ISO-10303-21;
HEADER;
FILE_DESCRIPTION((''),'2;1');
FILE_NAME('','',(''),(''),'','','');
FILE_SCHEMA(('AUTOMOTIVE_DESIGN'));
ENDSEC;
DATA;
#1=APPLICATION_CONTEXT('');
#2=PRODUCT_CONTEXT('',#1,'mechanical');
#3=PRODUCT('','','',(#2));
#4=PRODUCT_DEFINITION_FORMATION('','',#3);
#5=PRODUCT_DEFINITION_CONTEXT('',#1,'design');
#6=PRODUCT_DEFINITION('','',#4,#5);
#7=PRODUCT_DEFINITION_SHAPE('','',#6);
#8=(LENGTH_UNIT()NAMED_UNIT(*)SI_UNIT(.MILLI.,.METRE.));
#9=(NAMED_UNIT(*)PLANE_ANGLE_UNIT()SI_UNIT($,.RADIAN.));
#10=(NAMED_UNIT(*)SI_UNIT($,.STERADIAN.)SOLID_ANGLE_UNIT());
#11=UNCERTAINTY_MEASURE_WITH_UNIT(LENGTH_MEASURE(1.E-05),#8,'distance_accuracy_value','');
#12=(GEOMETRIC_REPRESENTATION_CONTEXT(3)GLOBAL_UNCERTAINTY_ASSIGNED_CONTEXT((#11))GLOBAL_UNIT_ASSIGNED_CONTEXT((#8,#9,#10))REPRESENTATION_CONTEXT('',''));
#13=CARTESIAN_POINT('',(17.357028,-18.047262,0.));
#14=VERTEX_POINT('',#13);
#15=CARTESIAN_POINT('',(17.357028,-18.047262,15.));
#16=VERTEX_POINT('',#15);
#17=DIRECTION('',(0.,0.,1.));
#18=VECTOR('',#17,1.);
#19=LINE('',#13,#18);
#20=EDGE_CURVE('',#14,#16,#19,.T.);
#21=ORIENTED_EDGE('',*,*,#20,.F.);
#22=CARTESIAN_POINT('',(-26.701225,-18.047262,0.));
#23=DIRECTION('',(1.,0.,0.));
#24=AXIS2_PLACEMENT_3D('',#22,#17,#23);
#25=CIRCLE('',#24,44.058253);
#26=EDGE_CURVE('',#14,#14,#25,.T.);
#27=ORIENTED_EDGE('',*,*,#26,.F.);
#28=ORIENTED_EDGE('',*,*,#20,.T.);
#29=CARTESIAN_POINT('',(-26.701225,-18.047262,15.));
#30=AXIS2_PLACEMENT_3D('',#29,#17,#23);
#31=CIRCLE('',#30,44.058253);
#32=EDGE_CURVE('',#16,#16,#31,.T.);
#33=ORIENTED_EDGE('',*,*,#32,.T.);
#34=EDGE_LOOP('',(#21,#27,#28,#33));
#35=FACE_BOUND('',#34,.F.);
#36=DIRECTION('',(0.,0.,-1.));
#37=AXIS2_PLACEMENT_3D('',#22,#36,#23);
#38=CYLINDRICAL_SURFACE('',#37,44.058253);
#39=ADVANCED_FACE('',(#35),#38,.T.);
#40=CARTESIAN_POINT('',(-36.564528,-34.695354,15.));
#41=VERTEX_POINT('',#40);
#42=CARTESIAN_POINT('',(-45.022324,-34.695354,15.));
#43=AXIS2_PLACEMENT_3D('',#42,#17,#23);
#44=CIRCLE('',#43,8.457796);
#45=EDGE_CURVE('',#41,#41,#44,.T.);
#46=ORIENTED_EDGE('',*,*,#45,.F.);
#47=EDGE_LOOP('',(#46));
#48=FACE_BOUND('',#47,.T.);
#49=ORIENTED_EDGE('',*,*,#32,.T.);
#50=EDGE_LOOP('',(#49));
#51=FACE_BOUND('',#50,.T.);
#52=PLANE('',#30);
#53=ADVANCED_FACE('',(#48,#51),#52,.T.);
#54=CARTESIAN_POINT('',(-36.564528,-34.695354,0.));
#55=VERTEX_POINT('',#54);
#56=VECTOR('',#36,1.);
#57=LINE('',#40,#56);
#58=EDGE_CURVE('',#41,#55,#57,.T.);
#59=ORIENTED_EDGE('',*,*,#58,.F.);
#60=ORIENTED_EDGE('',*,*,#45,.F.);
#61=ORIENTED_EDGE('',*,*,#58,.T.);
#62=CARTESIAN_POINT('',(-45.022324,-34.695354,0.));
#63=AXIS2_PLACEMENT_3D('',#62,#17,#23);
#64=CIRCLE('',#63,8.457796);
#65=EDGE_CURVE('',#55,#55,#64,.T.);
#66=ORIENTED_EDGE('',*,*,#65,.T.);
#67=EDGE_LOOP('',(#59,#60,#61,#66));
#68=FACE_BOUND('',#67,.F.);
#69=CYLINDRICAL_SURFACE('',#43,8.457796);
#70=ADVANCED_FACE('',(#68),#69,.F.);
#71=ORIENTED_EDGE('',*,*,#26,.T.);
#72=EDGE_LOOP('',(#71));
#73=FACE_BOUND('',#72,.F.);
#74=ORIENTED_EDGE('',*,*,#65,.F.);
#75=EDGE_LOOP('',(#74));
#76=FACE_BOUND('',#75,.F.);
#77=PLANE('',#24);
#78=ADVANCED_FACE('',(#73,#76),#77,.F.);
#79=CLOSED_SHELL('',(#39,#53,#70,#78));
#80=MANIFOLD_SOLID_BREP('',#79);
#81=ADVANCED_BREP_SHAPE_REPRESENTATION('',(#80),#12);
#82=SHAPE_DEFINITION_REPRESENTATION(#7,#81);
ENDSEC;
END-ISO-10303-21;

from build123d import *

# Parameters (mm, degrees)
SKETCH_R     = 44.058253
PAD_DEPTH    = 15
SKETCH001_R  = 8.457796
POCKET_DEPTH = 15


with BuildPart() as part:
    # Sketch → Pad (new body)
    with BuildSketch(Plane.XY):
        with Locations((-26.701225, -18.047262)):
            Circle(SKETCH_R)
    extrude(amount=PAD_DEPTH)

    # Sketch001 (on Face3 of Pad) → Pocket (cut)
    with BuildSketch(Plane.XY.offset(15)):
        with Locations((-45.022324, -34.695354)):
            Circle(SKETCH001_R)
    extrude(amount=-POCKET_DEPTH, mode=Mode.SUBTRACT)


solid = part.part
